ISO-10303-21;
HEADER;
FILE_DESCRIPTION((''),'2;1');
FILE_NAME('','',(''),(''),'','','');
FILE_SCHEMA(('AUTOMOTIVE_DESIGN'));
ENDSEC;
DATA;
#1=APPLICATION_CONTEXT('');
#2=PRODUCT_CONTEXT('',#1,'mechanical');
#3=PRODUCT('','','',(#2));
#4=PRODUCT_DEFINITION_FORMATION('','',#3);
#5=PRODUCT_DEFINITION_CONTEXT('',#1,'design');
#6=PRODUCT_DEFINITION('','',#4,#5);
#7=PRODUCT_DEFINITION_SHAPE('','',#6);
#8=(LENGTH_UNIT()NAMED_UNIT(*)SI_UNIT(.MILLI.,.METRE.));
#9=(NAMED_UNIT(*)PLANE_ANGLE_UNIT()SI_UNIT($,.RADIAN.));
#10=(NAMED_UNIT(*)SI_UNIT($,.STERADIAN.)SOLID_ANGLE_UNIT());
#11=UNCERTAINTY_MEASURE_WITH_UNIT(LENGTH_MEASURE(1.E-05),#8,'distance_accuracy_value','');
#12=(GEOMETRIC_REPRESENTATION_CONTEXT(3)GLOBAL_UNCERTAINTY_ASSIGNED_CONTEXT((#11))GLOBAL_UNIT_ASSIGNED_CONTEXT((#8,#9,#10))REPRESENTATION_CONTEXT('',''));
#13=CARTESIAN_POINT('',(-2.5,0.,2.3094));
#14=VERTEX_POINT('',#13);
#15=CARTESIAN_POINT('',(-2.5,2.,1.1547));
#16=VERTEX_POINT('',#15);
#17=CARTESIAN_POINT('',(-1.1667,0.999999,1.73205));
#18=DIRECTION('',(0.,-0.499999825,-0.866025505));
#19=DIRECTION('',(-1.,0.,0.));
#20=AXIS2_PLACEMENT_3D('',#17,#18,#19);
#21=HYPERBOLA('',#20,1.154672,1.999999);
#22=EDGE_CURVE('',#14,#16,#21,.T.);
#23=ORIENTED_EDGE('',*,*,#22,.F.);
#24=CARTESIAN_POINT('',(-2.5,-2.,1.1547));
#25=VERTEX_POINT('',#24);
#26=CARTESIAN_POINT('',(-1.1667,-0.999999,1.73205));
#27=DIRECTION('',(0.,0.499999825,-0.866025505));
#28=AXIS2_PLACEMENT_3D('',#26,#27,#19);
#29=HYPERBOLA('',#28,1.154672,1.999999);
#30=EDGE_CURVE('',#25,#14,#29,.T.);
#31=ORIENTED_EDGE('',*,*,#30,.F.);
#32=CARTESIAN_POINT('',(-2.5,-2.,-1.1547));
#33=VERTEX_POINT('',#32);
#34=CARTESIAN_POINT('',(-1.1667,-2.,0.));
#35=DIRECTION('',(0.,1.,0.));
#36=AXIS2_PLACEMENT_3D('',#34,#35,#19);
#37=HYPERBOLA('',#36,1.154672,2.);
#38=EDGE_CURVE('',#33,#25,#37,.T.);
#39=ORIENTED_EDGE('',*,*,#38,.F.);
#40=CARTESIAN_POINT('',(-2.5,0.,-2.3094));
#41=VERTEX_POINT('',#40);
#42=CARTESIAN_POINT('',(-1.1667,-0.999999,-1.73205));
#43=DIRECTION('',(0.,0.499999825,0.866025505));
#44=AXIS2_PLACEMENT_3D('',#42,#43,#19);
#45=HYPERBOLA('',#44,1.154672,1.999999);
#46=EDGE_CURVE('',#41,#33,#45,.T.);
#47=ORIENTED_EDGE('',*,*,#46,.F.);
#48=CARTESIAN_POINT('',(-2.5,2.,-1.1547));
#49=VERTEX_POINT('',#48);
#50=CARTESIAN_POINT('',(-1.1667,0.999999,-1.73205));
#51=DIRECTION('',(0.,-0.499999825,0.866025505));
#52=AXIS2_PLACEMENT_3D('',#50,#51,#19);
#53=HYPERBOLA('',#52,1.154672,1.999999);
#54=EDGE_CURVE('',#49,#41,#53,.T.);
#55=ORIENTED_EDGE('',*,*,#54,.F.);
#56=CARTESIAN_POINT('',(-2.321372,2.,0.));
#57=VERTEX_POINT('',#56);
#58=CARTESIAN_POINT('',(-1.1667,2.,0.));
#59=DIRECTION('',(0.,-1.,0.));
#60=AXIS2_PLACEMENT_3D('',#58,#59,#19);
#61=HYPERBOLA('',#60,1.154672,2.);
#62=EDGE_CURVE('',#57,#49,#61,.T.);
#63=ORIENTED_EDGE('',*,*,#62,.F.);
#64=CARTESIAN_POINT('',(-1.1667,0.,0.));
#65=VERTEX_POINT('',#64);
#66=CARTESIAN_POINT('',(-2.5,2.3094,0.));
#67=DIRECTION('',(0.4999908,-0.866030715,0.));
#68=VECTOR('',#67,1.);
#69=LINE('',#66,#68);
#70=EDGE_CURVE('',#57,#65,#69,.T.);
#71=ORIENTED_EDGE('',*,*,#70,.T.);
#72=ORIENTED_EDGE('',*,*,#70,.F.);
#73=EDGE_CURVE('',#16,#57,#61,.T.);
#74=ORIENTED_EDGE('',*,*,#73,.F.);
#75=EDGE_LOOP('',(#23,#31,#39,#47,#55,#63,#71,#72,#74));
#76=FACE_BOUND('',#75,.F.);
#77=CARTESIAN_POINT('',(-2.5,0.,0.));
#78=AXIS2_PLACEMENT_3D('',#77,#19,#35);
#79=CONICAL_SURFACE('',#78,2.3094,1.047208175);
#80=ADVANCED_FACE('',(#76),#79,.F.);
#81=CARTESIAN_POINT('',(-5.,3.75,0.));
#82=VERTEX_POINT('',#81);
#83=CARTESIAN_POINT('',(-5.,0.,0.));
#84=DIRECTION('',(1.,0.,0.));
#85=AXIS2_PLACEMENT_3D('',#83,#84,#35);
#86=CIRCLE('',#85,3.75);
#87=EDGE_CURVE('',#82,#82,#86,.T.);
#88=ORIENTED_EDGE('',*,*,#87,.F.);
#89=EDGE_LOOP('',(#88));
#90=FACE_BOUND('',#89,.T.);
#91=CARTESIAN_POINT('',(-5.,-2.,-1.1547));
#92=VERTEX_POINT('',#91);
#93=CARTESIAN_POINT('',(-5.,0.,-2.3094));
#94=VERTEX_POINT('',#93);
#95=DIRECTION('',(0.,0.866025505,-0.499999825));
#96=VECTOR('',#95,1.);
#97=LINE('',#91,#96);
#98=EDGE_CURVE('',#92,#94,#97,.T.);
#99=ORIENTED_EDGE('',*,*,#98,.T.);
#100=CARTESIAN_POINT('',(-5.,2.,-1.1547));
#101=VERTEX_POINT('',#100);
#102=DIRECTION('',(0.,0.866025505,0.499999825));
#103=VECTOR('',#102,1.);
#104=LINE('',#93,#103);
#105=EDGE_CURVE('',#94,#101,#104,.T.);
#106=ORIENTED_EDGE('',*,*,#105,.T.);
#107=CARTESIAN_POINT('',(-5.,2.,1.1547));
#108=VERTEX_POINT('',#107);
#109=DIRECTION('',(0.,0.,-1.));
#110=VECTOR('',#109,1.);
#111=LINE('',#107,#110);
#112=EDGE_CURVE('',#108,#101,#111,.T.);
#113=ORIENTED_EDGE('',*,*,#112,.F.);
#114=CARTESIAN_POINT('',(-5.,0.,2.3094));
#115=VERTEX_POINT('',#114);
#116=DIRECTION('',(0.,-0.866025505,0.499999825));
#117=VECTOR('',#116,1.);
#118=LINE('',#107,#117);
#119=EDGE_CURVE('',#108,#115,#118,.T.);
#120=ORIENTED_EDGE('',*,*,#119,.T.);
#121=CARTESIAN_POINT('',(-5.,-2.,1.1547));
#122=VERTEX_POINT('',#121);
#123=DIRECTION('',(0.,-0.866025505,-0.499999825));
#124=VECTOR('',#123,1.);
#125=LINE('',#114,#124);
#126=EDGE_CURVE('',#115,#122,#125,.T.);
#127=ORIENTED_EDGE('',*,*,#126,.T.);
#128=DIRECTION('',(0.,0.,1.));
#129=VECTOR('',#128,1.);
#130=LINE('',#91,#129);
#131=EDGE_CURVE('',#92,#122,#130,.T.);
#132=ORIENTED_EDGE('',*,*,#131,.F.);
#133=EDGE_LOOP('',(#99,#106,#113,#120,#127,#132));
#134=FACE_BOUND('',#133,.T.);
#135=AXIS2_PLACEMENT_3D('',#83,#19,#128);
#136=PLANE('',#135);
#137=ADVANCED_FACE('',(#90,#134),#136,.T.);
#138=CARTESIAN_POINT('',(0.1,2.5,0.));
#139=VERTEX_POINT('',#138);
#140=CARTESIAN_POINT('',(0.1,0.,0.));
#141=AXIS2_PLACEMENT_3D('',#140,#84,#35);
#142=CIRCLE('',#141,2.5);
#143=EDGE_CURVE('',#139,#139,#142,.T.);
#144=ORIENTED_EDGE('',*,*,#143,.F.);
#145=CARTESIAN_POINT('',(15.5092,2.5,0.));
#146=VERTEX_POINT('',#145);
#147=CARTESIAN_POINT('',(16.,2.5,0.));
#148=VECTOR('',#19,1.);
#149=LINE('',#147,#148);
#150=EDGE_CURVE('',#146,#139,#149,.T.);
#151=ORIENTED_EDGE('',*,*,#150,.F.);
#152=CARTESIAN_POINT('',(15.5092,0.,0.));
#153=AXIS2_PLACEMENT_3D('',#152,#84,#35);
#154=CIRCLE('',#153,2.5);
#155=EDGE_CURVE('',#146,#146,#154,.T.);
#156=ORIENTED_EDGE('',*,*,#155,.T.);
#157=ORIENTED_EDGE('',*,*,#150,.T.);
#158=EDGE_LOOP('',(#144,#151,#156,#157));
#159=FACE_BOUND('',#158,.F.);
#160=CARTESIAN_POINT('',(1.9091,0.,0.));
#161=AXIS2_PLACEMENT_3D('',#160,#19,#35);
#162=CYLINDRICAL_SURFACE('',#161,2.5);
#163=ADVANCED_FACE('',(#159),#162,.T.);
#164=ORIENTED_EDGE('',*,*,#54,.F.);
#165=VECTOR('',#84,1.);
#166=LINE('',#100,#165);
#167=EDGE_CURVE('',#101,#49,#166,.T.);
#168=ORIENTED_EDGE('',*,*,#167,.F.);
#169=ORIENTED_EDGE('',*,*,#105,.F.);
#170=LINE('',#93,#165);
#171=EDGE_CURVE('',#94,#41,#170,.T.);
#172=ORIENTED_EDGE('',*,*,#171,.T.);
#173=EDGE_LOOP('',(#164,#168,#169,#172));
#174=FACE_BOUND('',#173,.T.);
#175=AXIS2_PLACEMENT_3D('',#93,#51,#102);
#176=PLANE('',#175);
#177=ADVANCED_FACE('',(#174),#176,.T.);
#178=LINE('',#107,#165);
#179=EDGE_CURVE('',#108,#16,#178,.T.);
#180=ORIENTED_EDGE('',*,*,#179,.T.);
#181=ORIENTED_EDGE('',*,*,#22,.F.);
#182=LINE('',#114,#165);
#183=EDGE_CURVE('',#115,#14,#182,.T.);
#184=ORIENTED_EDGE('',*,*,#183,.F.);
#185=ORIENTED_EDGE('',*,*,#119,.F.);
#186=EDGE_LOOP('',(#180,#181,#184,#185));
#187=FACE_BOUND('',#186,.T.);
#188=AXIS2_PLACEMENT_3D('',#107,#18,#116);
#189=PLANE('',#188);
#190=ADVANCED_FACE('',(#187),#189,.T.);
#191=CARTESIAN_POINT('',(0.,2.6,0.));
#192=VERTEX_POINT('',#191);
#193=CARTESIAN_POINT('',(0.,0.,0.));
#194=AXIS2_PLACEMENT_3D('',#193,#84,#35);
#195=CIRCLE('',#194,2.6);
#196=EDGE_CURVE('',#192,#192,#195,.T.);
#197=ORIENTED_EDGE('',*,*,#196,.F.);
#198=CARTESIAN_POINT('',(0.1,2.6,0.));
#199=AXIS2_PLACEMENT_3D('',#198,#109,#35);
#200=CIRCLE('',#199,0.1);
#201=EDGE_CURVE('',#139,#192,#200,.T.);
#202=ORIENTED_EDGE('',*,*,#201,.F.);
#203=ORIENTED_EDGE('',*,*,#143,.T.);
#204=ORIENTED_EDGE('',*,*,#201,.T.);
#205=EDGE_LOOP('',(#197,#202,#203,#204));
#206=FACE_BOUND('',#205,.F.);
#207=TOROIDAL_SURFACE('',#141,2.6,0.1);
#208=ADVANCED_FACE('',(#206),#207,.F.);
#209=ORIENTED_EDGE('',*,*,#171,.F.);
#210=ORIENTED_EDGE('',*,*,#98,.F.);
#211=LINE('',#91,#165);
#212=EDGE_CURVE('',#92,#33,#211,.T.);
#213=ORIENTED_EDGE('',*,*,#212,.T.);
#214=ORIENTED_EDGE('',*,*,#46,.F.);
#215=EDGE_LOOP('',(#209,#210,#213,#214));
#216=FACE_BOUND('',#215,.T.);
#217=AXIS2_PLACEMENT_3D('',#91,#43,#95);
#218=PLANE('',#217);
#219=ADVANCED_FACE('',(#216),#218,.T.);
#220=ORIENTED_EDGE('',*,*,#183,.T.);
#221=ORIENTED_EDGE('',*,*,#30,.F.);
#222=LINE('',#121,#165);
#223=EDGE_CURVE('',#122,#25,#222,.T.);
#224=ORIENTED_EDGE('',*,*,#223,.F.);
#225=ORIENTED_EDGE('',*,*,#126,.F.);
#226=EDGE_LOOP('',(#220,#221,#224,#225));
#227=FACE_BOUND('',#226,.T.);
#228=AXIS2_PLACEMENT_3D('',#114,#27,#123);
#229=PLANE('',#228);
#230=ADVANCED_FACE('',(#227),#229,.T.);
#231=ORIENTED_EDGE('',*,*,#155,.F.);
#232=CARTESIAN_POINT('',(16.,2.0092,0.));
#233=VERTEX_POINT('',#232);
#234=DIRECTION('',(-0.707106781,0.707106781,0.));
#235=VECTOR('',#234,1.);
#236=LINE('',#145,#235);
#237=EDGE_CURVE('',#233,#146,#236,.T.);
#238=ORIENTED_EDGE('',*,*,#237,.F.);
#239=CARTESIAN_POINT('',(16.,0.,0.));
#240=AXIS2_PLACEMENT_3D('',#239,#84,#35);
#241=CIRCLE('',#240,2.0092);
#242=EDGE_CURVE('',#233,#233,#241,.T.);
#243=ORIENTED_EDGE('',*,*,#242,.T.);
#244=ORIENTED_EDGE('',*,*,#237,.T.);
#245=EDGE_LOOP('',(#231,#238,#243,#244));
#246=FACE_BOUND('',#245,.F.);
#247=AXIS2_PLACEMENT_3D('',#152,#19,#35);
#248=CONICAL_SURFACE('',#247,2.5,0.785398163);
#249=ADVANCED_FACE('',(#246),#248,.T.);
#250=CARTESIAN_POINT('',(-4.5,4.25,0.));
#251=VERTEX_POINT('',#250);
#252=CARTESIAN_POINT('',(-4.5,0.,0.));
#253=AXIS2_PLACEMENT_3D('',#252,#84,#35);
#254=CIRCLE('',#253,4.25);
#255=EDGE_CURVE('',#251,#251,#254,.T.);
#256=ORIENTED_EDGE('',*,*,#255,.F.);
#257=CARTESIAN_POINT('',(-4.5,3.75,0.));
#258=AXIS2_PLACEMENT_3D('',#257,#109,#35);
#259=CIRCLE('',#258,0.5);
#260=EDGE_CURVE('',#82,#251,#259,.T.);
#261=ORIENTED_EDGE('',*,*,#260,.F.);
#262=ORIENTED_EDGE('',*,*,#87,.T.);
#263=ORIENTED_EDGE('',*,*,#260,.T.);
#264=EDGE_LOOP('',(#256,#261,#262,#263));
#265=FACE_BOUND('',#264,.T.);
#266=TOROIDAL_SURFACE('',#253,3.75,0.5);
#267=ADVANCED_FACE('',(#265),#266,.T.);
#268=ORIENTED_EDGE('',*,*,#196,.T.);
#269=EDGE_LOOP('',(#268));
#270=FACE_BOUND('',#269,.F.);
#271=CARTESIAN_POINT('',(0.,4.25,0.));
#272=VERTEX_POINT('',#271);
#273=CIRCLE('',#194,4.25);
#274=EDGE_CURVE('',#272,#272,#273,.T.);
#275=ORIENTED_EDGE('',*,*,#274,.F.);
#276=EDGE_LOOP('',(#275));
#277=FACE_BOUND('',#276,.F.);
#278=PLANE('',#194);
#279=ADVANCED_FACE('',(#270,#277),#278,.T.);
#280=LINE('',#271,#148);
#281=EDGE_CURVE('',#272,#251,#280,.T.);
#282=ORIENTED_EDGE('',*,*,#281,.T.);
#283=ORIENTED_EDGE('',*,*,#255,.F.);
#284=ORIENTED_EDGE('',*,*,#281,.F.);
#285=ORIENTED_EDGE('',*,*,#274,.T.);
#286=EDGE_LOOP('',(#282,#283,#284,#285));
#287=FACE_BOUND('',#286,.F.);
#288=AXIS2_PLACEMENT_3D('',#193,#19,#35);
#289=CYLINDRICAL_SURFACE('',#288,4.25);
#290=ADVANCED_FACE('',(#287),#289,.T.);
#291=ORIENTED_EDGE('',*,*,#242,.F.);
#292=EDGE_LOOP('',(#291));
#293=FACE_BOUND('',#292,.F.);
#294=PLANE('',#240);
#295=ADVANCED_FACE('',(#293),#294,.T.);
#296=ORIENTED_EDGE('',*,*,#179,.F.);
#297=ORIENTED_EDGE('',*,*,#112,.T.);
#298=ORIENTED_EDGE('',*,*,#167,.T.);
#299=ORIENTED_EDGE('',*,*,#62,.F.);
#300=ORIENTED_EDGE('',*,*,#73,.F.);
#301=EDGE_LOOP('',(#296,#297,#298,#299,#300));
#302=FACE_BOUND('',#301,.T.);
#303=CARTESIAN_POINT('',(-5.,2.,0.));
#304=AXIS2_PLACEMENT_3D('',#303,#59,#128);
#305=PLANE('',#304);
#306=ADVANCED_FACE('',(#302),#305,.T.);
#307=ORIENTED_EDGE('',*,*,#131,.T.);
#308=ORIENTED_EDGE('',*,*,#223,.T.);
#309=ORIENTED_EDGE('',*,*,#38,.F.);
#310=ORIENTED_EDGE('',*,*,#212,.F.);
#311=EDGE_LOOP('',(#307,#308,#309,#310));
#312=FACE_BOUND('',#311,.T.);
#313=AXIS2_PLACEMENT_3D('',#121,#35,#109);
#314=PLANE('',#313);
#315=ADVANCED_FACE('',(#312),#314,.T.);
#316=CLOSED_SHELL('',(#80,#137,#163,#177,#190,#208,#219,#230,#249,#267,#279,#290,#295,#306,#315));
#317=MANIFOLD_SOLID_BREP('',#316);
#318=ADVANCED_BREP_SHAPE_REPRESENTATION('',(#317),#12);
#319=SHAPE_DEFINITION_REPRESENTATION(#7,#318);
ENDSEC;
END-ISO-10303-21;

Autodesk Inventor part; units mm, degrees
ref_plane "YZ Plane" through (0, 0, 0) normal (1, 0, 0) x (0, 1, 0)
ref_plane "XZ Plane" through (0, 0, 0) normal (0, 1, 0) x (-1, 0, 0)
sketch "Szkic1" plane through (0, 0, 0) normal (0, 0, 1) x (1, 0, 0)
  line L0 (-1.1667, 0) -> (16, 0)
  line L1 (16, 0) -> (16, 2.5)
  line L2 (16, 2.5) -> (2.4, 2.5)
  line L3 (2.4, 2.5) -> (1.9091, 2.5)
  line L4 (1.9091, 2.5) -> (0, 2.5)
  line L5 (0, 2.5) -> (0, 4.25)
  line L6 (0, 4.25) -> (-5, 4.25)
  line L7 (-5, 4.25) -> (-5, 2.3094)
  line L8 (-5, 2.3094) -> (-2.5, 2.3094)
  line L9 (-2.5, 2.3094) -> (-1.1667, 0)
  line L10 (-9.2, 0) -> (20.2, 0) projected
  line L11 (0, -0.85) -> (0, 5.1) projected
  line L12 (2.4, 2.5) -> (0, 2.5) construction
  dimension "d1" = 13.6
  dimension "d2" = 0.4909
  dimension "d3" = 5
  dimension "d4" = 2.5
  dimension "d5" = 60
  dimension "d6" = 5
  dimension "d7" = 5
  dimension "d8" = 4.6188
  dimension "d9" = 8.5
  dimension "d26" = 16
revolve "Bryła" add sketch "Szkic1" angle 360 about axis through (-1.1667, 0, 0) along (1, 0, 0)
sketch "Szkic2" plane through (-5, 0, 0) normal (-1, 0, 0) x (0, 0, 1)
  circle A0 centre (0, 0) radius 2.3094 projected
  line L0 (0, -5.95) -> (0, 5.95) projected
  line L1 (-5.95, 0) -> (5.95, 0) projected
  line L2 (2.3094, 0) -> (1.1547, -2)
  line L3 (1.1547, -2) -> (-1.1547, -2)
  line L4 (-1.1547, -2) -> (-2.3094, 0)
  line L5 (-2.3094, 0) -> (-1.1547, 2)
  line L6 (-1.1547, 2) -> (1.1547, 2)
  line L7 (1.1547, 2) -> (2.3094, 0)
extrude "Szczelina" add sketch "Szkic2" against normal up to next contours L7 A0 | A0 L2 | L6 L0 A0 | A0 L0 L3 | L0 L6 A0 | A0 L3 L0 | L4 A0 | A0 L5
fillet "Zaokrąglenie1" radius 0.5 1 edges at (-5, -4.25, 0)
thread "Gwint" size "M5x0.8" class "6g" standard "ISO Metric profile" length 13.6
chamfer "Faza1" distance 0.4908 distance2 0.4908 1 edges at (16, -2.5, 0) measured on face at (16, -1.1374, -1.1324)
ref_plane "Work Plane1" through (29, 0, 0) normal (0, -1, 0) x (1, 0, 0)
fillet "Fillet2" radius 0.1 1 edges at (0, -2.5, 0)
equation "\"d1\" = GEL"
equation "\"d3\" = KOH"
equation "\"d4\" = INTI"
equation "\"d6\" = GD"
equation "\"d7\" = BDM"
equation "\"d8\" = 1.1547 * SW"
equation "\"d9\" = KOD"
equation "\"d26\" = NLG"
equation "\"d30\" = R"
equation "\"d17\" = RR"
equation "\"d13\" = GEL"
equation "\"d15\" = -0.5 * SPD + 0.5 * GD"
equation "\"d16\" = GUL"
equation "\"GD\" = 5"
equation "\"NLG\" = 16"
equation "\"GEL\" = 13.6"
equation "\"KOD\" = 8.5"
equation "\"KOH\" = 5"
equation "\"INTI\" = 2.5"
equation "\"GAL\" = 0.61345 * PTC"
equation "\"GUL\" = 0.61345 * PTC"
equation "\"BDM\" = NND"
equation "\"SW\" = 4"
equation "\"RR\" = 0.5"
equation "\"SPD\" = NND - 1.2269 * PTC"
equation "\"R\" = 0.1"
equation "\"TOA\" = 30deg"
equation "\"GD1\" = THREADDIA - 1.2269 * PTC"
equation "\"THREADDIA\" = 5"
equation "\"FAWI\" = 45deg"
equation "\"PTC\" = 0.8"
equation "\"NND\" = 5"
equation "\"E0\" = 1.155 * SW"
properties part number "ISO 4762  - M5 x 16" material "Stal nierdzewna 440C"
